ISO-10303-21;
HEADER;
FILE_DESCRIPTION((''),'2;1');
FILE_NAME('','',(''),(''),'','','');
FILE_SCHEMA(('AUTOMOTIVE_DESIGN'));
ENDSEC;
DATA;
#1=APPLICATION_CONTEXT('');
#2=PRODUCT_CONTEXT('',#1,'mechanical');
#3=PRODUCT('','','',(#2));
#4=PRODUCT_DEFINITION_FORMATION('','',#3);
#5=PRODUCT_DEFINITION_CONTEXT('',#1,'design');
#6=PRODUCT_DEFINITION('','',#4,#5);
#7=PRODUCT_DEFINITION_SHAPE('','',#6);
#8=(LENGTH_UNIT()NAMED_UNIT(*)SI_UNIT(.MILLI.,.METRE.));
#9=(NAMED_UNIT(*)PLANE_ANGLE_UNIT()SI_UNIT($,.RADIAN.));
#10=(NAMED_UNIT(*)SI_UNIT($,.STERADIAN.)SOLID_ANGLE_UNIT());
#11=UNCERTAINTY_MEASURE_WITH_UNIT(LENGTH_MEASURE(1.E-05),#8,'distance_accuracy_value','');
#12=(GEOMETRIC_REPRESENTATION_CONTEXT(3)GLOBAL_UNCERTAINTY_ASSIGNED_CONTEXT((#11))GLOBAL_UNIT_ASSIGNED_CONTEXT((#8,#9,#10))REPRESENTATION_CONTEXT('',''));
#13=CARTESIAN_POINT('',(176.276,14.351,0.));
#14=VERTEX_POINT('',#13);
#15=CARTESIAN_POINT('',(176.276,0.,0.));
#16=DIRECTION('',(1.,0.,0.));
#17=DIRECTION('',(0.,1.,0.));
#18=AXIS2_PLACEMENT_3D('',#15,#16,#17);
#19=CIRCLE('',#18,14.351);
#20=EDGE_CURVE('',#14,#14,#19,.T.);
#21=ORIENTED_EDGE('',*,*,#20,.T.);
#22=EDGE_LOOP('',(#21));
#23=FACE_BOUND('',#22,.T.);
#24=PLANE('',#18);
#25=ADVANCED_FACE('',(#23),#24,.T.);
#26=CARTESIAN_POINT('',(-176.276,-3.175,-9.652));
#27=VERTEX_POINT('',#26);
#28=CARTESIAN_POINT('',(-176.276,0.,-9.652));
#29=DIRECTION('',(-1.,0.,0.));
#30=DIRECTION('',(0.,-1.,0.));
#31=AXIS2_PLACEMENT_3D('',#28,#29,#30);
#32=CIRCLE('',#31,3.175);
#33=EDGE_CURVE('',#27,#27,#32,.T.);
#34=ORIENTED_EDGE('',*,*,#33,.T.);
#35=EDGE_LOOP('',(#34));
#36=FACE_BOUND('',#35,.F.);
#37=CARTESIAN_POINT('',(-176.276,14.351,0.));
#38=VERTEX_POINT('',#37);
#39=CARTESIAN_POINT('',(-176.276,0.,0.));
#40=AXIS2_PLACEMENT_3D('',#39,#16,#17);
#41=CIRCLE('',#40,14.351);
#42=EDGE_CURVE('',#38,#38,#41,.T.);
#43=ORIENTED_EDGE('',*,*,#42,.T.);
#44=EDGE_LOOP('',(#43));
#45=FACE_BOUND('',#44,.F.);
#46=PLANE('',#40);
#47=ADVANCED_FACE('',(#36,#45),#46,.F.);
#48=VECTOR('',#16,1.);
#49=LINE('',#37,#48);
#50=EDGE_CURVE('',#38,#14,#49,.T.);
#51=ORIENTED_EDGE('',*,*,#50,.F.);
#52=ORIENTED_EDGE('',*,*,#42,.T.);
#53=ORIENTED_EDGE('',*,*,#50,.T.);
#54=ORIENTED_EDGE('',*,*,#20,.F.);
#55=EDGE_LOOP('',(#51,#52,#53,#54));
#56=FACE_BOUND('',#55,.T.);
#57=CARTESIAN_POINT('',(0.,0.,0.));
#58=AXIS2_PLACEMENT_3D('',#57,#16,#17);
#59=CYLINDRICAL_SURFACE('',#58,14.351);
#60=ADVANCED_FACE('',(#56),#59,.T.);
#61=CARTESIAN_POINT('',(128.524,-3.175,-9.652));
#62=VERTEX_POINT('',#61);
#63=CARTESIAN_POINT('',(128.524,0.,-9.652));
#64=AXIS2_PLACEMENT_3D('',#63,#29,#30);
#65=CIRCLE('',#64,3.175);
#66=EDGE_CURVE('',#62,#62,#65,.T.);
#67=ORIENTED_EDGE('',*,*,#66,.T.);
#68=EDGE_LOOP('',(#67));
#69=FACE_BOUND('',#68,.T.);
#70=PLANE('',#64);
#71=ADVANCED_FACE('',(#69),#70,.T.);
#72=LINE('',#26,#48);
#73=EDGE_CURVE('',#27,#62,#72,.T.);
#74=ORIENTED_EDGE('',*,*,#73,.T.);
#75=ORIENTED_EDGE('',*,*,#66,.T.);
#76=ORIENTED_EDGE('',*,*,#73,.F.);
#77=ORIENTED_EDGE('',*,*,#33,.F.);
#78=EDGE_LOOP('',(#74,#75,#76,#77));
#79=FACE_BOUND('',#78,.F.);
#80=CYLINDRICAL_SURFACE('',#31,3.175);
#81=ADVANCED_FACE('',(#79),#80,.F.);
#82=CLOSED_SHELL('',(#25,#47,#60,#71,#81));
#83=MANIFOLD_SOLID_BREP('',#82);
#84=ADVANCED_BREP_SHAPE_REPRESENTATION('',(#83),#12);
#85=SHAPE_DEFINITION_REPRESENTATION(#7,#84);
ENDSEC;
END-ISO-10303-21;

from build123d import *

# Parameters (mm, degrees)
F0_R     = 14.351
F1_DEPTH = 176.276
F2_R     = 3.175
F3_DEPTH = 304.8


with BuildPart() as f1:
    # F0 (on Right) → F1 (new body, symmetric)
    with BuildSketch(Plane.YZ):
        Circle(F0_R)
    extrude(amount=F1_DEPTH, both=True)

    # F2 (on face) → F3 (cut)
    with BuildSketch(Plane(origin=(-176.276, 0, 0), x_dir=(0, -1, 0), z_dir=(-1, 0, 0))):
        with Locations((0, -9.652)):
            Circle(F2_R)
    extrude(amount=-F3_DEPTH, mode=Mode.SUBTRACT)


solid = f1.part
